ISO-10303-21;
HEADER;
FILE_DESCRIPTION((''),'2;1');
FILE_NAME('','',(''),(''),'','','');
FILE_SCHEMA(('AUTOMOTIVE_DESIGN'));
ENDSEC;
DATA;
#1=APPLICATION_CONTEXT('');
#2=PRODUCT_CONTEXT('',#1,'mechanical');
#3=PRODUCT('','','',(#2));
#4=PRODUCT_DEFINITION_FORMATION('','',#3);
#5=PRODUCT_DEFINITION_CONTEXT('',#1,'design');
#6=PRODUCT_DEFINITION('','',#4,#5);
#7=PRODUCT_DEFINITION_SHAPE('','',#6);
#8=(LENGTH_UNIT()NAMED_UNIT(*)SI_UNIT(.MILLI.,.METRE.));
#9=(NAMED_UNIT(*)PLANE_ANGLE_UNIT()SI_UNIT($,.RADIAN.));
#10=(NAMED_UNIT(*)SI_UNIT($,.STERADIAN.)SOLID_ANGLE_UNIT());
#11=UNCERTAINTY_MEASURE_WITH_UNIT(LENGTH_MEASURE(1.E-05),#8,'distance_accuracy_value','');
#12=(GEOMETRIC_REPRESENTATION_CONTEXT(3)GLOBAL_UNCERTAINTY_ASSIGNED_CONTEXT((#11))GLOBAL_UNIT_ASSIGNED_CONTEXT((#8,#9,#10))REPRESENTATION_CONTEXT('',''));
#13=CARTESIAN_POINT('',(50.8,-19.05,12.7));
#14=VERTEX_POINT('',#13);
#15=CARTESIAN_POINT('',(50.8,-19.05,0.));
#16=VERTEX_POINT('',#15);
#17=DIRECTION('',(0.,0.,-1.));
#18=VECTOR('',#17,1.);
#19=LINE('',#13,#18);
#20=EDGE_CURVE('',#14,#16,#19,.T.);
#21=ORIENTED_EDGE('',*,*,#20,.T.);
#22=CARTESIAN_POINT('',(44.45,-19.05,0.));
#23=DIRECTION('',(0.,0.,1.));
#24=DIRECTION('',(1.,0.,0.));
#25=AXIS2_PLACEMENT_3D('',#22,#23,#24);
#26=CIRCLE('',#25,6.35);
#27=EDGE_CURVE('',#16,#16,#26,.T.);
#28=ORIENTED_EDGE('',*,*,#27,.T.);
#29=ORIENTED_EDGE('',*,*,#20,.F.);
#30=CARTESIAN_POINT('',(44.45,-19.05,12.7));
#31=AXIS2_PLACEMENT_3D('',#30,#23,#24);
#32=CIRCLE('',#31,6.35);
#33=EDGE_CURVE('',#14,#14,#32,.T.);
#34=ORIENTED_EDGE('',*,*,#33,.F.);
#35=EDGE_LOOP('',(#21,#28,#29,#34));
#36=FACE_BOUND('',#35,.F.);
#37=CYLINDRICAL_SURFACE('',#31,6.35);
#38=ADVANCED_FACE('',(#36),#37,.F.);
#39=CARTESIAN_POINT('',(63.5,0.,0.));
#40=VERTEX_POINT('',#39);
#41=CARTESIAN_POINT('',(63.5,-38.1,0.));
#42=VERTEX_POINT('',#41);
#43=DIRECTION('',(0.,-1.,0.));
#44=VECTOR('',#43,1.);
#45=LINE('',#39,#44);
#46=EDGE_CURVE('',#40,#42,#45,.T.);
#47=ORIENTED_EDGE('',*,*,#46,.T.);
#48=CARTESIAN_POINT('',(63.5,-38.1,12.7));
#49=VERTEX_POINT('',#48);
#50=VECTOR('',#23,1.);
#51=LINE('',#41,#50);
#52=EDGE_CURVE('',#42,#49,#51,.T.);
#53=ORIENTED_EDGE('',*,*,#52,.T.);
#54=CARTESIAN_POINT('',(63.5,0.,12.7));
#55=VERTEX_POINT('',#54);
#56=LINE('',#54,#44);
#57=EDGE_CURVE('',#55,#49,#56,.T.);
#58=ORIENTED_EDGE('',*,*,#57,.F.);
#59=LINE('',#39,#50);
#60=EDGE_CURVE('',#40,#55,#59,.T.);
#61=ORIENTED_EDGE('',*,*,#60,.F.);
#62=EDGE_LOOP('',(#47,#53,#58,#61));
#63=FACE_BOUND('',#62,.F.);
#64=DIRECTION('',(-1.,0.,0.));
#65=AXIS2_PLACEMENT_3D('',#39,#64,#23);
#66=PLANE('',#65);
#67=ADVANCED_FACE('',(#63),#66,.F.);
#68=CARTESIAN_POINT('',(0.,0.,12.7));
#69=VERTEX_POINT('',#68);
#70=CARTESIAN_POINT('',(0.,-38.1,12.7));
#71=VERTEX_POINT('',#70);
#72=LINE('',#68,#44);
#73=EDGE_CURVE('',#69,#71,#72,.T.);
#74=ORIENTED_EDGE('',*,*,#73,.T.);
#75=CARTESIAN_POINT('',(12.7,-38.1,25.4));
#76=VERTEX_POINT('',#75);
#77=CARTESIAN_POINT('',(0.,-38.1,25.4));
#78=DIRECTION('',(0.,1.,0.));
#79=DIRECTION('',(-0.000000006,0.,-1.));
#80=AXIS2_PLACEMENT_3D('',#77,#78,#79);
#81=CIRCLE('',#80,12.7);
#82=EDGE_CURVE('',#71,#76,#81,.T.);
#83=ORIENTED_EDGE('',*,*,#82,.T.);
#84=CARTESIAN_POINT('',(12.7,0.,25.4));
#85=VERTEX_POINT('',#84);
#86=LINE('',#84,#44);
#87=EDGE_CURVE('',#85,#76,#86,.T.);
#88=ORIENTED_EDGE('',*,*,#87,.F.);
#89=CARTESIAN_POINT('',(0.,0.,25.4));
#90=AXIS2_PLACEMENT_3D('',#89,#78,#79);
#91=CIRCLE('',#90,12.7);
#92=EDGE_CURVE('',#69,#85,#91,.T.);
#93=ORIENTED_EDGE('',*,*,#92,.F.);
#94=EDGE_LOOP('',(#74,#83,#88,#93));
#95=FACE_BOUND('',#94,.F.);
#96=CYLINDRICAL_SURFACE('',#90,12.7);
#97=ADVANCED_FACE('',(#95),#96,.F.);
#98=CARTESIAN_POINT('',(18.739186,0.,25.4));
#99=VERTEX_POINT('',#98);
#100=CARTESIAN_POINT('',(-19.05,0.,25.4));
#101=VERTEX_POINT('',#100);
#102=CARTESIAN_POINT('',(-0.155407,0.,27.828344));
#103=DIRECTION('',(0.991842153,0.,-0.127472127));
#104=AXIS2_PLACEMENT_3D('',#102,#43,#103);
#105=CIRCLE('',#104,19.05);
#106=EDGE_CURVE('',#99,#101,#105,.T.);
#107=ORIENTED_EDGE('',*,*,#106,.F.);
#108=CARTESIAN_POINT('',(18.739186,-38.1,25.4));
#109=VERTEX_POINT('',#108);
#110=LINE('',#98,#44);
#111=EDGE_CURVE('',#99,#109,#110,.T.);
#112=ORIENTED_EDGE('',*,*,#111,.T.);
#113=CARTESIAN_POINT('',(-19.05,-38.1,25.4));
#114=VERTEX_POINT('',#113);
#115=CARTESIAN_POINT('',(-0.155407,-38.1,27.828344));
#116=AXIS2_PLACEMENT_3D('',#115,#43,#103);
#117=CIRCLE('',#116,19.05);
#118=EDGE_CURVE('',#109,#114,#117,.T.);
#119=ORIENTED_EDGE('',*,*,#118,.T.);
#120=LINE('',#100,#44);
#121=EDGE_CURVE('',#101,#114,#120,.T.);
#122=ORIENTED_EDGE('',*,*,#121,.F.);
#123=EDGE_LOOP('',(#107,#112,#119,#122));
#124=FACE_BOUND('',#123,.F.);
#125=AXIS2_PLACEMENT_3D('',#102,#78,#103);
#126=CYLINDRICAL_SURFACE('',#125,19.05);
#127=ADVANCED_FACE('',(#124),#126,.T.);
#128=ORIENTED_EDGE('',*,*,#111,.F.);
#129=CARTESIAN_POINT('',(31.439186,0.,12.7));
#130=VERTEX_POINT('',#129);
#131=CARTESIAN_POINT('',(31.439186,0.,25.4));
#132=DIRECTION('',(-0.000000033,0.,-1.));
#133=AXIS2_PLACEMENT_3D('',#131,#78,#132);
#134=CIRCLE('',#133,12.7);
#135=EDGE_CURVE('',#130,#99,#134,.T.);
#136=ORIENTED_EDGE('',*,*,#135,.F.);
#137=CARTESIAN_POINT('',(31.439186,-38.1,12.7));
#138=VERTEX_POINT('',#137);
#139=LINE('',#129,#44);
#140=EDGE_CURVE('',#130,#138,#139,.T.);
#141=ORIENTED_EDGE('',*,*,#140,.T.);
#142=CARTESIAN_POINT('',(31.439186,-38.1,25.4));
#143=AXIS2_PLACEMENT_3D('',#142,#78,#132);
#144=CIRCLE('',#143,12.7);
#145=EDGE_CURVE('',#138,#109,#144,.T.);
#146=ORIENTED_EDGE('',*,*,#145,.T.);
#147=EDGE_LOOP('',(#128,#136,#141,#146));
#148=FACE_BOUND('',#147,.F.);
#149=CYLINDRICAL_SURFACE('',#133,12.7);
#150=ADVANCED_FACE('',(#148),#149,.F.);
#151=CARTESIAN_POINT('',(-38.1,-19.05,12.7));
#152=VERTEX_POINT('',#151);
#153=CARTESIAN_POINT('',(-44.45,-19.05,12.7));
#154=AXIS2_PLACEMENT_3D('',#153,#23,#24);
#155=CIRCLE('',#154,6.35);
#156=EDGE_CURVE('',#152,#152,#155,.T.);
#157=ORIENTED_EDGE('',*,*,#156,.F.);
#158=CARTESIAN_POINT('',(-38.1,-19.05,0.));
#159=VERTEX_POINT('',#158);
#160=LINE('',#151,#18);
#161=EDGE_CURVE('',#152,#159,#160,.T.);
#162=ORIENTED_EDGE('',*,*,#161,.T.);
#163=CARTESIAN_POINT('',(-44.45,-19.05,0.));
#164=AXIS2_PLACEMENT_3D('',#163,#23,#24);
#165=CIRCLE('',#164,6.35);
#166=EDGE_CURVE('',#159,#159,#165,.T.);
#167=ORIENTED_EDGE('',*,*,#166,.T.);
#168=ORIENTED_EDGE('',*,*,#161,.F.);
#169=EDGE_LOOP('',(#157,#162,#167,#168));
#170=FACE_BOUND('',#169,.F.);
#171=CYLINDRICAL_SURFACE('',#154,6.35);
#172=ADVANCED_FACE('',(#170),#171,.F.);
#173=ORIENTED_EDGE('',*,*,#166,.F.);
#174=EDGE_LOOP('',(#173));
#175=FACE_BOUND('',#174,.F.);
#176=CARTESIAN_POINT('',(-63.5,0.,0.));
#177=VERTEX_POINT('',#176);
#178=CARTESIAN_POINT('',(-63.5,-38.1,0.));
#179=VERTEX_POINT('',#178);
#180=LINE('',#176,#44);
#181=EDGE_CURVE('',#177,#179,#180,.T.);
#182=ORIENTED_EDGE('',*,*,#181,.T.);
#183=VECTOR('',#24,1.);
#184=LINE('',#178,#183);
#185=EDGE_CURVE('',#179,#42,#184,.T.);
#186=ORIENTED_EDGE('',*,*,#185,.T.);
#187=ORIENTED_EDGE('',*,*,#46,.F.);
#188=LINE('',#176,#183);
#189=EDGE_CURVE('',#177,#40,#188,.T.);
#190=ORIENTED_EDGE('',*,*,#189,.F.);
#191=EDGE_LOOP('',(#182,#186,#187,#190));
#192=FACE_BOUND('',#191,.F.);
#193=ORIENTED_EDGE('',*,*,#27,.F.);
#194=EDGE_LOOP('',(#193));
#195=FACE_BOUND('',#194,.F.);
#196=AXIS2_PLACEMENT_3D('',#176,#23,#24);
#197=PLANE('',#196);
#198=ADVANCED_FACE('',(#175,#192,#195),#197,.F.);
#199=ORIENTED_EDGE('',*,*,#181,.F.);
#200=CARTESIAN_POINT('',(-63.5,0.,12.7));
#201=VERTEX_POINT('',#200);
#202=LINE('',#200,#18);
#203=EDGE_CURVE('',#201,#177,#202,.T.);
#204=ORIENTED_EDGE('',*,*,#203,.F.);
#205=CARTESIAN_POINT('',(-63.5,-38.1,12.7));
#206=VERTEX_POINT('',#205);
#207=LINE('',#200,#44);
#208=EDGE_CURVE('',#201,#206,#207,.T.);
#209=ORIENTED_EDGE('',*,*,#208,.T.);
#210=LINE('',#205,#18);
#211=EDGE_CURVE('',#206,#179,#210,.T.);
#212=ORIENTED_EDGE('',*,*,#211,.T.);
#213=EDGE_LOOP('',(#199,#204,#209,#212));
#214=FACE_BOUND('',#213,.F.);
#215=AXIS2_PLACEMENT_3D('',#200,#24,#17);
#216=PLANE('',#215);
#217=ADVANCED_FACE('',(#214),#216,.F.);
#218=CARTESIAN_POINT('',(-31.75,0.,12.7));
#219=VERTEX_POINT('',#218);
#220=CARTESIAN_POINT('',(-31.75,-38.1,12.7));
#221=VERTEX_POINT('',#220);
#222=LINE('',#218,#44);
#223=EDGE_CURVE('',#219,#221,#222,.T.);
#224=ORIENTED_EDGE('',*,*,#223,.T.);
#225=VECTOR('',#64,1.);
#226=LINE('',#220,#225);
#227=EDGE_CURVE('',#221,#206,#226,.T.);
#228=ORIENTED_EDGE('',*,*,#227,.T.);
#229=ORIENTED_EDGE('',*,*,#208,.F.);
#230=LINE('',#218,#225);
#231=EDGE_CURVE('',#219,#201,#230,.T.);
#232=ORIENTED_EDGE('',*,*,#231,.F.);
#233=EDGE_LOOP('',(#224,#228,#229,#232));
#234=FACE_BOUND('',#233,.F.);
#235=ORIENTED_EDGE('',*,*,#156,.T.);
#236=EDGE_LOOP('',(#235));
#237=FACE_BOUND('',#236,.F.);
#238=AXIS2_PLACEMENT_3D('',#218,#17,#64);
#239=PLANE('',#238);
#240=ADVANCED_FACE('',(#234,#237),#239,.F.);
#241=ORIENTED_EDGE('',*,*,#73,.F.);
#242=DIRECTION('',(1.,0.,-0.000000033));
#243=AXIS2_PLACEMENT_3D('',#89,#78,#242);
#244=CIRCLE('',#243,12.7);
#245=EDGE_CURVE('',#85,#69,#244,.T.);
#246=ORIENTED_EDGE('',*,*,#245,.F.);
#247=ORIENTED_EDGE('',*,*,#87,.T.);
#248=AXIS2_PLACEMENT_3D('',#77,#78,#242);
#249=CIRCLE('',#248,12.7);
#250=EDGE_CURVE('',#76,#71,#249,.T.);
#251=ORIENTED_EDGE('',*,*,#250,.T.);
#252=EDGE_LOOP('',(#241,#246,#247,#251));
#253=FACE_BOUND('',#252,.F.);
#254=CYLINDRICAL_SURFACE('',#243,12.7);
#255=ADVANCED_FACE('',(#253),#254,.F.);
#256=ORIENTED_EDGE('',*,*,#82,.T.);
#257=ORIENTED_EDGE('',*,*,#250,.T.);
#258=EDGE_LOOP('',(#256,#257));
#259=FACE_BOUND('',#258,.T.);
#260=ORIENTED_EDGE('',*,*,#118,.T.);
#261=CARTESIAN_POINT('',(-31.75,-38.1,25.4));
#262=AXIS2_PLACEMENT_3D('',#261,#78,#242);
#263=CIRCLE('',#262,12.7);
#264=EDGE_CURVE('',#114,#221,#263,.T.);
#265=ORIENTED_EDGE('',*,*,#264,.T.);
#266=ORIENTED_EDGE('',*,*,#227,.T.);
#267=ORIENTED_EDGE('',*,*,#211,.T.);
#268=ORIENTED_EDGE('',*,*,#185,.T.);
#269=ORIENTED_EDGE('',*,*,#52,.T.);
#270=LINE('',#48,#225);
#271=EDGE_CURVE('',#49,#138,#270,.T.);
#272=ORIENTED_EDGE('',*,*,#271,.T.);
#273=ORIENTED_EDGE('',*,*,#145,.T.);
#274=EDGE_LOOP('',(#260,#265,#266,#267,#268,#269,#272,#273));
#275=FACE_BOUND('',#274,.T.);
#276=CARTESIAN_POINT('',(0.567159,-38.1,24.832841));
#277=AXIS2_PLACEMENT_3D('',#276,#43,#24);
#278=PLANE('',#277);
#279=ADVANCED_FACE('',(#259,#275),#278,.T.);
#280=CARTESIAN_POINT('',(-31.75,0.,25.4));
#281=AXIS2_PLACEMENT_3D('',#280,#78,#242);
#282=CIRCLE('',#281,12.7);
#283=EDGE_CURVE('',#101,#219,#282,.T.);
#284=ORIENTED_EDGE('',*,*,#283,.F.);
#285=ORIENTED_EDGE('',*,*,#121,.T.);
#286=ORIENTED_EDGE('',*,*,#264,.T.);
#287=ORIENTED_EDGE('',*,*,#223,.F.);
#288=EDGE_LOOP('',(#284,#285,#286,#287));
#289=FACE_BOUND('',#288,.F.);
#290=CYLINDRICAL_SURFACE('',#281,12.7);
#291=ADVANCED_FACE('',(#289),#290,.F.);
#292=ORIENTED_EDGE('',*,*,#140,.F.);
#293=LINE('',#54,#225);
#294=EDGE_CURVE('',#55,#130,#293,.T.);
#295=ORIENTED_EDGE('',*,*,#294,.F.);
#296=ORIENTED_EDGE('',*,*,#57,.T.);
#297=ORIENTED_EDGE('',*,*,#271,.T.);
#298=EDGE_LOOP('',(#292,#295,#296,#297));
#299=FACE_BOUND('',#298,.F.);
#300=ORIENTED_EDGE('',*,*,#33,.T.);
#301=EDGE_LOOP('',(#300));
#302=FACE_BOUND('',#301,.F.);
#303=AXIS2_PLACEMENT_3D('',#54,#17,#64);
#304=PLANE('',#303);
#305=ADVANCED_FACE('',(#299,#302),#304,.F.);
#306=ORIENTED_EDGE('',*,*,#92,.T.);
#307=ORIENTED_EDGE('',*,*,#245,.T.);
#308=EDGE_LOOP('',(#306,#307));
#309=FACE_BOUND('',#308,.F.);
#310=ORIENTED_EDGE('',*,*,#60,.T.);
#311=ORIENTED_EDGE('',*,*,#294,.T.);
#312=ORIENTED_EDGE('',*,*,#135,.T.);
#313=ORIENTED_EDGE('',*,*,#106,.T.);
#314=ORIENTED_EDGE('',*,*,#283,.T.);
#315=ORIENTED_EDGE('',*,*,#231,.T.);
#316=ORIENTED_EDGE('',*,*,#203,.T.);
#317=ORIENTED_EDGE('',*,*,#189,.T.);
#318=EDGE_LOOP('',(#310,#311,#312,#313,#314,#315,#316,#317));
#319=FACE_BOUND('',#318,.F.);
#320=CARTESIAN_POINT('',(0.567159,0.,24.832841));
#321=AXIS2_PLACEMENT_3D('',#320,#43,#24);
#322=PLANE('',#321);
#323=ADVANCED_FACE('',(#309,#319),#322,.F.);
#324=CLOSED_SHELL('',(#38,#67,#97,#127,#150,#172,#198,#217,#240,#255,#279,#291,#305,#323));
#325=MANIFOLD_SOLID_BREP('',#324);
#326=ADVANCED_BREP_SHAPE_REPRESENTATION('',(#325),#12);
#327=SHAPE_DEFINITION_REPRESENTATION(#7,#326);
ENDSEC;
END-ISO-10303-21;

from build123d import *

# Parameters (mm, degrees)
F1_DEPTH = 38.1
F2_R     = 6.35
F3_DEPTH = 12.7
F4_DEPTH = 12.7


with BuildPart() as f1:
    # F0 (on Front) → F1 (new body)
    with BuildSketch(Plane.XZ):
        with BuildLine():
            ThreePointArc((12.7, 25.4), (-8.980256, 34.380256), (0, 12.7))
            ThreePointArc((0, 12.7), (8.980256, 16.419744), (12.7, 25.4))
        make_face()
        with BuildLine():
            Line((-63.5, 12.7), (-63.5, 0))
            Line((-63.5, 0), (0, 0))
            Line((0, 0), (63.5, 0))
            Line((63.5, 0), (63.5, 12.7))
            Line((63.5, 12.7), (37.5412, 12.7))
            Line((37.5412, 12.7), (31.439186, 12.7))
            ThreePointArc((31.439186, 12.7), (22.45893, 16.419744), (18.739186, 25.4))
            ThreePointArc((18.739186, 25.4), (-0.155407, 46.878344), (-19.05, 25.4))
            ThreePointArc((-19.05, 25.4), (-22.769744, 16.419744), (-31.75, 12.7))
            Line((-31.75, 12.7), (-37.5412, 12.7))
            Line((-37.5412, 12.7), (-63.5, 12.7))
        make_face()
        with BuildLine():
            ThreePointArc((12.7, 25.4), (8.980256, 16.419744), (0, 12.7))
            ThreePointArc((0, 12.7), (-8.980256, 34.380256), (12.7, 25.4))
        make_face(mode=Mode.SUBTRACT)
    extrude(amount=F1_DEPTH)

    # F2 (on face) → F3 (cut, through all)
    with BuildSketch(Plane.XY.offset(12.7)):
        with Locations((-44.45, -19.05)):
            Circle(F2_R)
    extrude(amount=-F3_DEPTH, mode=Mode.SUBTRACT)

    # F2 (on face) → F4 (cut, through all)
    with BuildSketch(Plane.XY.offset(12.7)):
        with Locations((44.45, -19.05)):
            Circle(F2_R)
        with Locations((-44.45, -19.05)):
            Circle(F2_R)
    extrude(amount=-F4_DEPTH, mode=Mode.SUBTRACT)


solid = f1.part
